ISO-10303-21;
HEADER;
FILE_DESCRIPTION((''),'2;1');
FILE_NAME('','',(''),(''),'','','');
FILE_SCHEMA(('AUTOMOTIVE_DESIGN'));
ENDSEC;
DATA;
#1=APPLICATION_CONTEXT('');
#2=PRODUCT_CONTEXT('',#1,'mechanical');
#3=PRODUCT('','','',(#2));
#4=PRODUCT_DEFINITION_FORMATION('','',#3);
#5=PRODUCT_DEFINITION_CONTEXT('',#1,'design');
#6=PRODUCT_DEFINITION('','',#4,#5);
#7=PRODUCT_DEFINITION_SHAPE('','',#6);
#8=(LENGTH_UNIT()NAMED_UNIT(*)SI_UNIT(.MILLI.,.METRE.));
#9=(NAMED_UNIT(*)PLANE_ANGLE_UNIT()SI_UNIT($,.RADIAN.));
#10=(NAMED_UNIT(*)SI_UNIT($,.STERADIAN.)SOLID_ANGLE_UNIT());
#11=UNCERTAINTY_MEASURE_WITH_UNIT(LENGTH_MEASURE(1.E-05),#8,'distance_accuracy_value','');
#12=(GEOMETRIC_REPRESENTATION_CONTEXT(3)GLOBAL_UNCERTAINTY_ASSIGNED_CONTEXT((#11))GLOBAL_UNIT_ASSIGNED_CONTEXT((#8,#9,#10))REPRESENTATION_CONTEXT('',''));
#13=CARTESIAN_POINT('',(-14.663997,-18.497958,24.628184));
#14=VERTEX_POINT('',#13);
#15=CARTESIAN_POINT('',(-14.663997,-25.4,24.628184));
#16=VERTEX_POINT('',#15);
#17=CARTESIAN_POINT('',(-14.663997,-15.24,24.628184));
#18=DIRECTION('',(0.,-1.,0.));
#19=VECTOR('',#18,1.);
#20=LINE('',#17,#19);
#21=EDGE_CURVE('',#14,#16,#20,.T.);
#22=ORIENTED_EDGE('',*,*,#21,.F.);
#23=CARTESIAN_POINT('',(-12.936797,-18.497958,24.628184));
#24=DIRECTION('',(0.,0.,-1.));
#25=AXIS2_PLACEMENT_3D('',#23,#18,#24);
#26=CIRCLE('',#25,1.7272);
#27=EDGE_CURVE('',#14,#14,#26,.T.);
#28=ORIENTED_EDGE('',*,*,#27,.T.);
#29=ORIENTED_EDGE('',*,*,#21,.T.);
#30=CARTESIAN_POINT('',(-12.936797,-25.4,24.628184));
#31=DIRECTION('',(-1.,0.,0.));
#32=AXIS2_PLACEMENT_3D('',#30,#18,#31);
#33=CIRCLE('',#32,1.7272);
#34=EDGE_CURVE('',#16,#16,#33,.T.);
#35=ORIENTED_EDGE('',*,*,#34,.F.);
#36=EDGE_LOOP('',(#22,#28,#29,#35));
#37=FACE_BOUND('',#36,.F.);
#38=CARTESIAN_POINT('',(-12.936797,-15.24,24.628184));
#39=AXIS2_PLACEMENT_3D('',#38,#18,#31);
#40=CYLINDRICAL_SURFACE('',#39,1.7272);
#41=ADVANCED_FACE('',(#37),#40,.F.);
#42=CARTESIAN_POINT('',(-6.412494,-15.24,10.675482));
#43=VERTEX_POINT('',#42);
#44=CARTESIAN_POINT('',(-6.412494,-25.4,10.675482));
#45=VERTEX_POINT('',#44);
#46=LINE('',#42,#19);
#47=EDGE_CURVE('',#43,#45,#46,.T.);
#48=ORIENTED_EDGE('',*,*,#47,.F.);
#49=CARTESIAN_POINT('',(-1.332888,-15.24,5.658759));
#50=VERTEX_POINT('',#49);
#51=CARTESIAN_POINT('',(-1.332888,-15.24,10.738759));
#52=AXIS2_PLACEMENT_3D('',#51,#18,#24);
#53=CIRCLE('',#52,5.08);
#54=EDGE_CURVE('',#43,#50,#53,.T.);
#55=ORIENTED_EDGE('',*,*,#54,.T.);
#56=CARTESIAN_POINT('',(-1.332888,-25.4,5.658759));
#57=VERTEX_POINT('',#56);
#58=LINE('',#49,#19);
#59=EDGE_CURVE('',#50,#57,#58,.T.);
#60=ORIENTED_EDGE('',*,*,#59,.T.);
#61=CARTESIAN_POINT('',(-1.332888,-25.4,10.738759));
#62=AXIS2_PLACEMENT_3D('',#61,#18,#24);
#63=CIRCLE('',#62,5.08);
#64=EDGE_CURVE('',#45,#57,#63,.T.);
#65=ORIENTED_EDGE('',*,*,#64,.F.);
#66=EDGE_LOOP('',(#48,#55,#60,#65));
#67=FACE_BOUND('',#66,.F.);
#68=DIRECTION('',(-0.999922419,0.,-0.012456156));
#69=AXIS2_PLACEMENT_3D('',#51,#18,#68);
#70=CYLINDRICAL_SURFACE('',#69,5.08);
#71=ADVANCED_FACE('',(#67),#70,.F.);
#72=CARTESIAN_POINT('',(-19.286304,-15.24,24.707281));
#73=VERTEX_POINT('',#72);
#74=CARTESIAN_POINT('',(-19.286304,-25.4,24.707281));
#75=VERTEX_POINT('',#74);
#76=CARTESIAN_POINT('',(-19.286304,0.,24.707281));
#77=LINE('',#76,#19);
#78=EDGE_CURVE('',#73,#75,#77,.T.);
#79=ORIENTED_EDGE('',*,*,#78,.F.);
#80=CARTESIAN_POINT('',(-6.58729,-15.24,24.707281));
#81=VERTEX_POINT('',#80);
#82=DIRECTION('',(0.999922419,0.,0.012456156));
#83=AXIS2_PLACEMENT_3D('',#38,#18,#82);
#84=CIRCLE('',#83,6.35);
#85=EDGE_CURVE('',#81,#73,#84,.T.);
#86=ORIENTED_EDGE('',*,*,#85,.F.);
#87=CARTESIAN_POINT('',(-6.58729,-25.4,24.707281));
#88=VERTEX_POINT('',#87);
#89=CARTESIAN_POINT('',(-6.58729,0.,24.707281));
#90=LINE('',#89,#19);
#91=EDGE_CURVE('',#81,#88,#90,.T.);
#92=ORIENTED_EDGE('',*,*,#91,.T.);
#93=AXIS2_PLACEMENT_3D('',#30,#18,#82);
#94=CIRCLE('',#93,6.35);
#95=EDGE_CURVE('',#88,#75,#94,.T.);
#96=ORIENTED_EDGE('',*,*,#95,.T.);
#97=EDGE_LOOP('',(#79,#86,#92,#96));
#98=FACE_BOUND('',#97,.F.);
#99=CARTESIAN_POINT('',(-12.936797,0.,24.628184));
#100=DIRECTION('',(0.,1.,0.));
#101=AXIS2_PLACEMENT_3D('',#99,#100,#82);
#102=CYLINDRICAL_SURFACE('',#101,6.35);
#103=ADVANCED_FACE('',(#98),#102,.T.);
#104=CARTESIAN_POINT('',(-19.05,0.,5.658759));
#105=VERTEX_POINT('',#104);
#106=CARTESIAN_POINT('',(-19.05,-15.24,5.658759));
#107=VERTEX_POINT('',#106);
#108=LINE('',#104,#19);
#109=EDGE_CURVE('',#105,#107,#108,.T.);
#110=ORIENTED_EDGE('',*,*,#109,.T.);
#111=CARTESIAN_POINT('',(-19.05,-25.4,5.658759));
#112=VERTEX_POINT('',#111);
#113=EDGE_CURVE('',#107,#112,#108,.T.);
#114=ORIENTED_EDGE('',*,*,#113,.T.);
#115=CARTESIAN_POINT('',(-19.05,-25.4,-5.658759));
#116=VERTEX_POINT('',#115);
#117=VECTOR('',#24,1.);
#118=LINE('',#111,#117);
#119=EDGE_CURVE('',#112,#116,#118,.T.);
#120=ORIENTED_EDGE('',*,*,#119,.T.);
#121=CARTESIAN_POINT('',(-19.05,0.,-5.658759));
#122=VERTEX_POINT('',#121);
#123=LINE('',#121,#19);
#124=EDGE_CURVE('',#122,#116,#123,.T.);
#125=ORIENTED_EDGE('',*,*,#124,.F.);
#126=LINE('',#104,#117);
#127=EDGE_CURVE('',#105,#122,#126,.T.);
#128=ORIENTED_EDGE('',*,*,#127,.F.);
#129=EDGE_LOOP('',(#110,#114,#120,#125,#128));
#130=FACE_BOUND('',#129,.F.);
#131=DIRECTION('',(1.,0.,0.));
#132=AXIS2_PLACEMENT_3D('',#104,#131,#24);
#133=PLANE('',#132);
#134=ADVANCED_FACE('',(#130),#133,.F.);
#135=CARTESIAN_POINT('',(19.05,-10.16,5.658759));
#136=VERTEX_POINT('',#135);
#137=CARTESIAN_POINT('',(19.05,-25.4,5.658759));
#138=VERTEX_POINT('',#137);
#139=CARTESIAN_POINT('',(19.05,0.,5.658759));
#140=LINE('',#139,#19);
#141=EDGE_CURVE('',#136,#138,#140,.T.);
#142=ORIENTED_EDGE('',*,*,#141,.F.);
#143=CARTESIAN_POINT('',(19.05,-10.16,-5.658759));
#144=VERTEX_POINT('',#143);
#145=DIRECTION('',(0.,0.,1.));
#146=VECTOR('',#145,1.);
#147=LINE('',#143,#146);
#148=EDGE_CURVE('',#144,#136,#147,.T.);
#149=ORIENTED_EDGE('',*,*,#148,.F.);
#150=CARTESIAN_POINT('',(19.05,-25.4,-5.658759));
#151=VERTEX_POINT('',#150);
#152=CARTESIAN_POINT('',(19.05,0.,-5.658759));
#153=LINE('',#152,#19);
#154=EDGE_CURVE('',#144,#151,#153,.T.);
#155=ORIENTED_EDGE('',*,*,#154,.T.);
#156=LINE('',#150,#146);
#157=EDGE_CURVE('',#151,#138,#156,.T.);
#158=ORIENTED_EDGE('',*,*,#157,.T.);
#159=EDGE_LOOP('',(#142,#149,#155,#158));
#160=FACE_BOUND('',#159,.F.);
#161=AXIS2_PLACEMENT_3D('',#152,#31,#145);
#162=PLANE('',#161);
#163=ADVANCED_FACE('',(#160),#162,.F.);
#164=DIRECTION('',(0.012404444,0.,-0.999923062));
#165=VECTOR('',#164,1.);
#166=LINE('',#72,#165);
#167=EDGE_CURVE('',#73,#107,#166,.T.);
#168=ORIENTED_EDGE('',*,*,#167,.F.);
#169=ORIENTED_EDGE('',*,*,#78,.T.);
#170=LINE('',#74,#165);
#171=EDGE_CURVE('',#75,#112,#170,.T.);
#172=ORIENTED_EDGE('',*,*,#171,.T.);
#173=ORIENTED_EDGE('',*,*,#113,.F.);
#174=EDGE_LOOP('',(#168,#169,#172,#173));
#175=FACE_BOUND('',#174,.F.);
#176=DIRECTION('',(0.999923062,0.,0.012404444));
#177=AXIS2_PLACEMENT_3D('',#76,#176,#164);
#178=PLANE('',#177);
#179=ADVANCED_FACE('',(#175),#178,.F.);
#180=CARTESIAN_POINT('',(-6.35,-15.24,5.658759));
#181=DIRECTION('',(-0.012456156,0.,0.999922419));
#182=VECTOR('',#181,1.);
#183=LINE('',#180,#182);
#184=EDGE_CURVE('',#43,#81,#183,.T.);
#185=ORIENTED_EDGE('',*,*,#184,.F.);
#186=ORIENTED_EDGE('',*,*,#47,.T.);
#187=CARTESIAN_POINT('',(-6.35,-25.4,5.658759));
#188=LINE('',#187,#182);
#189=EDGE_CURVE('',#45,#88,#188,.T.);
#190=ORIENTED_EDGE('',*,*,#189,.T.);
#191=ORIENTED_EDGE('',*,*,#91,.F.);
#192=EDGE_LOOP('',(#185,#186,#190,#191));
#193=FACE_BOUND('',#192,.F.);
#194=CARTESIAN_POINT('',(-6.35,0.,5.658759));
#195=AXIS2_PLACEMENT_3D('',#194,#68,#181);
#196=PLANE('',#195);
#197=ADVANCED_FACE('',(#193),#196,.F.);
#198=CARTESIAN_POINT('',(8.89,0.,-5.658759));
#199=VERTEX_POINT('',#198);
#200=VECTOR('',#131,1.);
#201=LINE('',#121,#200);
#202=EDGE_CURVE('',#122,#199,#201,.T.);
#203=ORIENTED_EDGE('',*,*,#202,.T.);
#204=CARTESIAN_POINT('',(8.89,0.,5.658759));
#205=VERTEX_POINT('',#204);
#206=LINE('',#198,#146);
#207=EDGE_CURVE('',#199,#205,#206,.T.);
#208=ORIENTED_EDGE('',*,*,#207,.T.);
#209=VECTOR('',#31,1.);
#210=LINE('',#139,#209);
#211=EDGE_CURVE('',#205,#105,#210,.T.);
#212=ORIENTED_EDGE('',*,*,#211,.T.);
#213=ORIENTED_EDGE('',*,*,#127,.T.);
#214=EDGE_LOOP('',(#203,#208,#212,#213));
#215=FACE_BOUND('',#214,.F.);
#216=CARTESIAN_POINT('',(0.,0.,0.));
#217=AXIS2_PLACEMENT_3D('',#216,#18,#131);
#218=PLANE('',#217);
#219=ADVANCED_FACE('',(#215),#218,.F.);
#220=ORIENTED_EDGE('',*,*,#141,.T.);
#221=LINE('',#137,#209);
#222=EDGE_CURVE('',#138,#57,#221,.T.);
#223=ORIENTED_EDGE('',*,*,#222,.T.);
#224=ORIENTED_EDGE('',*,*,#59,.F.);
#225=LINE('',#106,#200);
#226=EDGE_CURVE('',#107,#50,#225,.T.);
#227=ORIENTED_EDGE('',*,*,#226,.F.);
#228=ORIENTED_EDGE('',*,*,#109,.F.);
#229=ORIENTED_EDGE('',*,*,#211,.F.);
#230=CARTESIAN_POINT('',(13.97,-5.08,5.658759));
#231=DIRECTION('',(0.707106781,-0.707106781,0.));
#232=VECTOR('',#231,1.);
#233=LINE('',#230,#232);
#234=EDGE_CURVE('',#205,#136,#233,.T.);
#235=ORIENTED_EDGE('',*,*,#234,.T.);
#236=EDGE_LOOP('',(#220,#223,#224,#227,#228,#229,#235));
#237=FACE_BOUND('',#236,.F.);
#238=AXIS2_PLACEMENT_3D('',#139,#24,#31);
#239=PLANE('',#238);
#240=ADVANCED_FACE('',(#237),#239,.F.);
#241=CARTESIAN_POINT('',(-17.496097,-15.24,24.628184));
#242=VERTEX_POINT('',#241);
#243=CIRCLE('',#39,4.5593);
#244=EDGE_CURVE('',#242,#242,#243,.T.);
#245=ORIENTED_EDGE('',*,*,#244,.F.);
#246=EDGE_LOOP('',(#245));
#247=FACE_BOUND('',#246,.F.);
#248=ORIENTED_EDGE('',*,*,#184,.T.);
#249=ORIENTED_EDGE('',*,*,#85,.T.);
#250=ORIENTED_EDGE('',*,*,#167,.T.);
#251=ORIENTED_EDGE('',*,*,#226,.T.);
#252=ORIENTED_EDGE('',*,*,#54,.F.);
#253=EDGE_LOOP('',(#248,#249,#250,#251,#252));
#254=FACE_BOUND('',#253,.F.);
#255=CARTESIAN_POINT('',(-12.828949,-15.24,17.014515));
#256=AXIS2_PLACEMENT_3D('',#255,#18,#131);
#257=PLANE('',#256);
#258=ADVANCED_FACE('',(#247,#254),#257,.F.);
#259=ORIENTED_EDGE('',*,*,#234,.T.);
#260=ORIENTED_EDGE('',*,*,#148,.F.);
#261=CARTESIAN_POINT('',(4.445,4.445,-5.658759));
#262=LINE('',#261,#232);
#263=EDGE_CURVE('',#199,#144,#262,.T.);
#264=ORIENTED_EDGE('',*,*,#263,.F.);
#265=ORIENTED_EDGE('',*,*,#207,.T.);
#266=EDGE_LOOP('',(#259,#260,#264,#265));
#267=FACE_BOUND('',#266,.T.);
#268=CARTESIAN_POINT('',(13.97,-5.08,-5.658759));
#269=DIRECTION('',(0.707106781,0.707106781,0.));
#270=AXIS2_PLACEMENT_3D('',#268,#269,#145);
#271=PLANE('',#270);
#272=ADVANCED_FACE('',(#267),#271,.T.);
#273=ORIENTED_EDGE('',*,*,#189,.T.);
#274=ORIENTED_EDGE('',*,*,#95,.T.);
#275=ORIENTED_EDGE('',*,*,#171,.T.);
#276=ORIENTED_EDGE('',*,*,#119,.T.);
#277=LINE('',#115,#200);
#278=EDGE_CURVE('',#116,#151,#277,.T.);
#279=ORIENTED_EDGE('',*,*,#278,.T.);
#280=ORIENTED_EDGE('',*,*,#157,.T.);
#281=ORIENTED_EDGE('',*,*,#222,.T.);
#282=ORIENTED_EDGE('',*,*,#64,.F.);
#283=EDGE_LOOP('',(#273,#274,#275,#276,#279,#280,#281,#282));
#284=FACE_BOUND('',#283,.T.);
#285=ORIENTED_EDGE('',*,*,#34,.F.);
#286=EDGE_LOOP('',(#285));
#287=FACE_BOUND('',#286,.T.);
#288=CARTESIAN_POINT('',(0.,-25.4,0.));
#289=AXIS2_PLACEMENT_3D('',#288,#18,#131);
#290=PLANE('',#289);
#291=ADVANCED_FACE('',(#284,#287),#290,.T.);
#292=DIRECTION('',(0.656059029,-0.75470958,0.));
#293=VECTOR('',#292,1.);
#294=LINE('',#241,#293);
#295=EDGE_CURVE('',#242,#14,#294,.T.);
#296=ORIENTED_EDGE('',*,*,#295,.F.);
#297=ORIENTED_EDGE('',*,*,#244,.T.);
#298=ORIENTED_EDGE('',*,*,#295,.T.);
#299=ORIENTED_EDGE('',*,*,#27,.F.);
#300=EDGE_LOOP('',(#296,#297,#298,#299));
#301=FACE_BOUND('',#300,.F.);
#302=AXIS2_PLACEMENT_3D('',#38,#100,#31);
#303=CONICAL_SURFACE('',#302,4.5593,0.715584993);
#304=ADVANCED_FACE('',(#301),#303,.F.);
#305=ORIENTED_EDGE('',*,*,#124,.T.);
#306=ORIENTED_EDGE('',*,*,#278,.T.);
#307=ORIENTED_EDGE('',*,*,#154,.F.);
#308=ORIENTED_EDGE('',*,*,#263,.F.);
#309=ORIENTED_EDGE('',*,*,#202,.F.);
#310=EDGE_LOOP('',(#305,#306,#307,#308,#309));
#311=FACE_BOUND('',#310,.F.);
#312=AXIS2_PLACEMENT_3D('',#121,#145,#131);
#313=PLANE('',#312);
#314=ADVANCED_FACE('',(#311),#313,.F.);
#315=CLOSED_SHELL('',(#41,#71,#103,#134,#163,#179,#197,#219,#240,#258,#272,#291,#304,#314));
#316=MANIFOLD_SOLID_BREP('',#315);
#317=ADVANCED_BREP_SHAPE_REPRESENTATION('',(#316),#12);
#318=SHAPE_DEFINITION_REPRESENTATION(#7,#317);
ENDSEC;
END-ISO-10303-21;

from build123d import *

# Parameters (mm, degrees)
F1_DEPTH       = 25.4
F2_DEPTH       = 15.24
F3_D           = 3.4544
F3_START       = 15.24
F3_CSINK_D     = 9.1186
F3_CSINK_ANGLE = 82
F4_R           = 5.08
F5_SIZE        = 10.16


with BuildPart() as f1:
    # F0 (on Front) → F1 (new body)
    with BuildSketch(Plane.XZ):
        Polygon((19.05, -5.6587588522), (19.05, 5.6587588522), (-6.35, 5.6587588522), (-19.05, 5.6587588522), (-19.05, -5.6587588522), align=None)
        with BuildLine():
            Line((-19.05, 5.6587588522), (-6.35, 5.6587588522))
            Line((-6.35, 5.6587588522), (-6.5872897774, 24.7072809356))
            ThreePointArc((-6.5872897774, 24.7072809356), (-12.9367971385, 30.9781843431), (-19.2863044996, 24.7072809356))
            Line((-19.2863044996, 24.7072809356), (-19.05, 5.6587588522))
        make_face()
    extrude(amount=F1_DEPTH)

    # F0 (on Front) → F2 (cut)
    with BuildSketch(Plane.XZ):
        with BuildLine():
            Line((-19.05, 5.6587588522), (-6.35, 5.6587588522))
            Line((-6.35, 5.6587588522), (-6.5872897774, 24.7072809356))
            ThreePointArc((-6.5872897774, 24.7072809356), (-12.9367971385, 30.9781843431), (-19.2863044996, 24.7072809356))
            Line((-19.2863044996, 24.7072809356), (-19.05, 5.6587588522))
        make_face()
    extrude(amount=F2_DEPTH, mode=Mode.SUBTRACT)

    # F3 (through all)
    # its depths count from where the whole tool has entered the part; down to there all is cleared
    with Locations(Plane(origin=(0, 0, 0), x_dir=(1, 0, 0), z_dir=(0, 1, 0)).offset(-F3_START)):
        with Locations((-12.9367971385, -24.6281843431)):
            CounterSinkHole(F3_D / 2, F3_CSINK_D / 2, counter_sink_angle=F3_CSINK_ANGLE)

    # F4
    f4_edges = [f1.edges().sort_by_distance(p)[0] for p in [
        (-6.35, -20.32, 5.658759),
    ]]
    fillet(f4_edges, radius=F4_R)

    # F5
    f5_edges = [f1.edges().sort_by_distance(p)[0] for p in [
        (19.05, 0, 0),
    ]]
    chamfer(f5_edges, length=F5_SIZE)


solid = f1.part
